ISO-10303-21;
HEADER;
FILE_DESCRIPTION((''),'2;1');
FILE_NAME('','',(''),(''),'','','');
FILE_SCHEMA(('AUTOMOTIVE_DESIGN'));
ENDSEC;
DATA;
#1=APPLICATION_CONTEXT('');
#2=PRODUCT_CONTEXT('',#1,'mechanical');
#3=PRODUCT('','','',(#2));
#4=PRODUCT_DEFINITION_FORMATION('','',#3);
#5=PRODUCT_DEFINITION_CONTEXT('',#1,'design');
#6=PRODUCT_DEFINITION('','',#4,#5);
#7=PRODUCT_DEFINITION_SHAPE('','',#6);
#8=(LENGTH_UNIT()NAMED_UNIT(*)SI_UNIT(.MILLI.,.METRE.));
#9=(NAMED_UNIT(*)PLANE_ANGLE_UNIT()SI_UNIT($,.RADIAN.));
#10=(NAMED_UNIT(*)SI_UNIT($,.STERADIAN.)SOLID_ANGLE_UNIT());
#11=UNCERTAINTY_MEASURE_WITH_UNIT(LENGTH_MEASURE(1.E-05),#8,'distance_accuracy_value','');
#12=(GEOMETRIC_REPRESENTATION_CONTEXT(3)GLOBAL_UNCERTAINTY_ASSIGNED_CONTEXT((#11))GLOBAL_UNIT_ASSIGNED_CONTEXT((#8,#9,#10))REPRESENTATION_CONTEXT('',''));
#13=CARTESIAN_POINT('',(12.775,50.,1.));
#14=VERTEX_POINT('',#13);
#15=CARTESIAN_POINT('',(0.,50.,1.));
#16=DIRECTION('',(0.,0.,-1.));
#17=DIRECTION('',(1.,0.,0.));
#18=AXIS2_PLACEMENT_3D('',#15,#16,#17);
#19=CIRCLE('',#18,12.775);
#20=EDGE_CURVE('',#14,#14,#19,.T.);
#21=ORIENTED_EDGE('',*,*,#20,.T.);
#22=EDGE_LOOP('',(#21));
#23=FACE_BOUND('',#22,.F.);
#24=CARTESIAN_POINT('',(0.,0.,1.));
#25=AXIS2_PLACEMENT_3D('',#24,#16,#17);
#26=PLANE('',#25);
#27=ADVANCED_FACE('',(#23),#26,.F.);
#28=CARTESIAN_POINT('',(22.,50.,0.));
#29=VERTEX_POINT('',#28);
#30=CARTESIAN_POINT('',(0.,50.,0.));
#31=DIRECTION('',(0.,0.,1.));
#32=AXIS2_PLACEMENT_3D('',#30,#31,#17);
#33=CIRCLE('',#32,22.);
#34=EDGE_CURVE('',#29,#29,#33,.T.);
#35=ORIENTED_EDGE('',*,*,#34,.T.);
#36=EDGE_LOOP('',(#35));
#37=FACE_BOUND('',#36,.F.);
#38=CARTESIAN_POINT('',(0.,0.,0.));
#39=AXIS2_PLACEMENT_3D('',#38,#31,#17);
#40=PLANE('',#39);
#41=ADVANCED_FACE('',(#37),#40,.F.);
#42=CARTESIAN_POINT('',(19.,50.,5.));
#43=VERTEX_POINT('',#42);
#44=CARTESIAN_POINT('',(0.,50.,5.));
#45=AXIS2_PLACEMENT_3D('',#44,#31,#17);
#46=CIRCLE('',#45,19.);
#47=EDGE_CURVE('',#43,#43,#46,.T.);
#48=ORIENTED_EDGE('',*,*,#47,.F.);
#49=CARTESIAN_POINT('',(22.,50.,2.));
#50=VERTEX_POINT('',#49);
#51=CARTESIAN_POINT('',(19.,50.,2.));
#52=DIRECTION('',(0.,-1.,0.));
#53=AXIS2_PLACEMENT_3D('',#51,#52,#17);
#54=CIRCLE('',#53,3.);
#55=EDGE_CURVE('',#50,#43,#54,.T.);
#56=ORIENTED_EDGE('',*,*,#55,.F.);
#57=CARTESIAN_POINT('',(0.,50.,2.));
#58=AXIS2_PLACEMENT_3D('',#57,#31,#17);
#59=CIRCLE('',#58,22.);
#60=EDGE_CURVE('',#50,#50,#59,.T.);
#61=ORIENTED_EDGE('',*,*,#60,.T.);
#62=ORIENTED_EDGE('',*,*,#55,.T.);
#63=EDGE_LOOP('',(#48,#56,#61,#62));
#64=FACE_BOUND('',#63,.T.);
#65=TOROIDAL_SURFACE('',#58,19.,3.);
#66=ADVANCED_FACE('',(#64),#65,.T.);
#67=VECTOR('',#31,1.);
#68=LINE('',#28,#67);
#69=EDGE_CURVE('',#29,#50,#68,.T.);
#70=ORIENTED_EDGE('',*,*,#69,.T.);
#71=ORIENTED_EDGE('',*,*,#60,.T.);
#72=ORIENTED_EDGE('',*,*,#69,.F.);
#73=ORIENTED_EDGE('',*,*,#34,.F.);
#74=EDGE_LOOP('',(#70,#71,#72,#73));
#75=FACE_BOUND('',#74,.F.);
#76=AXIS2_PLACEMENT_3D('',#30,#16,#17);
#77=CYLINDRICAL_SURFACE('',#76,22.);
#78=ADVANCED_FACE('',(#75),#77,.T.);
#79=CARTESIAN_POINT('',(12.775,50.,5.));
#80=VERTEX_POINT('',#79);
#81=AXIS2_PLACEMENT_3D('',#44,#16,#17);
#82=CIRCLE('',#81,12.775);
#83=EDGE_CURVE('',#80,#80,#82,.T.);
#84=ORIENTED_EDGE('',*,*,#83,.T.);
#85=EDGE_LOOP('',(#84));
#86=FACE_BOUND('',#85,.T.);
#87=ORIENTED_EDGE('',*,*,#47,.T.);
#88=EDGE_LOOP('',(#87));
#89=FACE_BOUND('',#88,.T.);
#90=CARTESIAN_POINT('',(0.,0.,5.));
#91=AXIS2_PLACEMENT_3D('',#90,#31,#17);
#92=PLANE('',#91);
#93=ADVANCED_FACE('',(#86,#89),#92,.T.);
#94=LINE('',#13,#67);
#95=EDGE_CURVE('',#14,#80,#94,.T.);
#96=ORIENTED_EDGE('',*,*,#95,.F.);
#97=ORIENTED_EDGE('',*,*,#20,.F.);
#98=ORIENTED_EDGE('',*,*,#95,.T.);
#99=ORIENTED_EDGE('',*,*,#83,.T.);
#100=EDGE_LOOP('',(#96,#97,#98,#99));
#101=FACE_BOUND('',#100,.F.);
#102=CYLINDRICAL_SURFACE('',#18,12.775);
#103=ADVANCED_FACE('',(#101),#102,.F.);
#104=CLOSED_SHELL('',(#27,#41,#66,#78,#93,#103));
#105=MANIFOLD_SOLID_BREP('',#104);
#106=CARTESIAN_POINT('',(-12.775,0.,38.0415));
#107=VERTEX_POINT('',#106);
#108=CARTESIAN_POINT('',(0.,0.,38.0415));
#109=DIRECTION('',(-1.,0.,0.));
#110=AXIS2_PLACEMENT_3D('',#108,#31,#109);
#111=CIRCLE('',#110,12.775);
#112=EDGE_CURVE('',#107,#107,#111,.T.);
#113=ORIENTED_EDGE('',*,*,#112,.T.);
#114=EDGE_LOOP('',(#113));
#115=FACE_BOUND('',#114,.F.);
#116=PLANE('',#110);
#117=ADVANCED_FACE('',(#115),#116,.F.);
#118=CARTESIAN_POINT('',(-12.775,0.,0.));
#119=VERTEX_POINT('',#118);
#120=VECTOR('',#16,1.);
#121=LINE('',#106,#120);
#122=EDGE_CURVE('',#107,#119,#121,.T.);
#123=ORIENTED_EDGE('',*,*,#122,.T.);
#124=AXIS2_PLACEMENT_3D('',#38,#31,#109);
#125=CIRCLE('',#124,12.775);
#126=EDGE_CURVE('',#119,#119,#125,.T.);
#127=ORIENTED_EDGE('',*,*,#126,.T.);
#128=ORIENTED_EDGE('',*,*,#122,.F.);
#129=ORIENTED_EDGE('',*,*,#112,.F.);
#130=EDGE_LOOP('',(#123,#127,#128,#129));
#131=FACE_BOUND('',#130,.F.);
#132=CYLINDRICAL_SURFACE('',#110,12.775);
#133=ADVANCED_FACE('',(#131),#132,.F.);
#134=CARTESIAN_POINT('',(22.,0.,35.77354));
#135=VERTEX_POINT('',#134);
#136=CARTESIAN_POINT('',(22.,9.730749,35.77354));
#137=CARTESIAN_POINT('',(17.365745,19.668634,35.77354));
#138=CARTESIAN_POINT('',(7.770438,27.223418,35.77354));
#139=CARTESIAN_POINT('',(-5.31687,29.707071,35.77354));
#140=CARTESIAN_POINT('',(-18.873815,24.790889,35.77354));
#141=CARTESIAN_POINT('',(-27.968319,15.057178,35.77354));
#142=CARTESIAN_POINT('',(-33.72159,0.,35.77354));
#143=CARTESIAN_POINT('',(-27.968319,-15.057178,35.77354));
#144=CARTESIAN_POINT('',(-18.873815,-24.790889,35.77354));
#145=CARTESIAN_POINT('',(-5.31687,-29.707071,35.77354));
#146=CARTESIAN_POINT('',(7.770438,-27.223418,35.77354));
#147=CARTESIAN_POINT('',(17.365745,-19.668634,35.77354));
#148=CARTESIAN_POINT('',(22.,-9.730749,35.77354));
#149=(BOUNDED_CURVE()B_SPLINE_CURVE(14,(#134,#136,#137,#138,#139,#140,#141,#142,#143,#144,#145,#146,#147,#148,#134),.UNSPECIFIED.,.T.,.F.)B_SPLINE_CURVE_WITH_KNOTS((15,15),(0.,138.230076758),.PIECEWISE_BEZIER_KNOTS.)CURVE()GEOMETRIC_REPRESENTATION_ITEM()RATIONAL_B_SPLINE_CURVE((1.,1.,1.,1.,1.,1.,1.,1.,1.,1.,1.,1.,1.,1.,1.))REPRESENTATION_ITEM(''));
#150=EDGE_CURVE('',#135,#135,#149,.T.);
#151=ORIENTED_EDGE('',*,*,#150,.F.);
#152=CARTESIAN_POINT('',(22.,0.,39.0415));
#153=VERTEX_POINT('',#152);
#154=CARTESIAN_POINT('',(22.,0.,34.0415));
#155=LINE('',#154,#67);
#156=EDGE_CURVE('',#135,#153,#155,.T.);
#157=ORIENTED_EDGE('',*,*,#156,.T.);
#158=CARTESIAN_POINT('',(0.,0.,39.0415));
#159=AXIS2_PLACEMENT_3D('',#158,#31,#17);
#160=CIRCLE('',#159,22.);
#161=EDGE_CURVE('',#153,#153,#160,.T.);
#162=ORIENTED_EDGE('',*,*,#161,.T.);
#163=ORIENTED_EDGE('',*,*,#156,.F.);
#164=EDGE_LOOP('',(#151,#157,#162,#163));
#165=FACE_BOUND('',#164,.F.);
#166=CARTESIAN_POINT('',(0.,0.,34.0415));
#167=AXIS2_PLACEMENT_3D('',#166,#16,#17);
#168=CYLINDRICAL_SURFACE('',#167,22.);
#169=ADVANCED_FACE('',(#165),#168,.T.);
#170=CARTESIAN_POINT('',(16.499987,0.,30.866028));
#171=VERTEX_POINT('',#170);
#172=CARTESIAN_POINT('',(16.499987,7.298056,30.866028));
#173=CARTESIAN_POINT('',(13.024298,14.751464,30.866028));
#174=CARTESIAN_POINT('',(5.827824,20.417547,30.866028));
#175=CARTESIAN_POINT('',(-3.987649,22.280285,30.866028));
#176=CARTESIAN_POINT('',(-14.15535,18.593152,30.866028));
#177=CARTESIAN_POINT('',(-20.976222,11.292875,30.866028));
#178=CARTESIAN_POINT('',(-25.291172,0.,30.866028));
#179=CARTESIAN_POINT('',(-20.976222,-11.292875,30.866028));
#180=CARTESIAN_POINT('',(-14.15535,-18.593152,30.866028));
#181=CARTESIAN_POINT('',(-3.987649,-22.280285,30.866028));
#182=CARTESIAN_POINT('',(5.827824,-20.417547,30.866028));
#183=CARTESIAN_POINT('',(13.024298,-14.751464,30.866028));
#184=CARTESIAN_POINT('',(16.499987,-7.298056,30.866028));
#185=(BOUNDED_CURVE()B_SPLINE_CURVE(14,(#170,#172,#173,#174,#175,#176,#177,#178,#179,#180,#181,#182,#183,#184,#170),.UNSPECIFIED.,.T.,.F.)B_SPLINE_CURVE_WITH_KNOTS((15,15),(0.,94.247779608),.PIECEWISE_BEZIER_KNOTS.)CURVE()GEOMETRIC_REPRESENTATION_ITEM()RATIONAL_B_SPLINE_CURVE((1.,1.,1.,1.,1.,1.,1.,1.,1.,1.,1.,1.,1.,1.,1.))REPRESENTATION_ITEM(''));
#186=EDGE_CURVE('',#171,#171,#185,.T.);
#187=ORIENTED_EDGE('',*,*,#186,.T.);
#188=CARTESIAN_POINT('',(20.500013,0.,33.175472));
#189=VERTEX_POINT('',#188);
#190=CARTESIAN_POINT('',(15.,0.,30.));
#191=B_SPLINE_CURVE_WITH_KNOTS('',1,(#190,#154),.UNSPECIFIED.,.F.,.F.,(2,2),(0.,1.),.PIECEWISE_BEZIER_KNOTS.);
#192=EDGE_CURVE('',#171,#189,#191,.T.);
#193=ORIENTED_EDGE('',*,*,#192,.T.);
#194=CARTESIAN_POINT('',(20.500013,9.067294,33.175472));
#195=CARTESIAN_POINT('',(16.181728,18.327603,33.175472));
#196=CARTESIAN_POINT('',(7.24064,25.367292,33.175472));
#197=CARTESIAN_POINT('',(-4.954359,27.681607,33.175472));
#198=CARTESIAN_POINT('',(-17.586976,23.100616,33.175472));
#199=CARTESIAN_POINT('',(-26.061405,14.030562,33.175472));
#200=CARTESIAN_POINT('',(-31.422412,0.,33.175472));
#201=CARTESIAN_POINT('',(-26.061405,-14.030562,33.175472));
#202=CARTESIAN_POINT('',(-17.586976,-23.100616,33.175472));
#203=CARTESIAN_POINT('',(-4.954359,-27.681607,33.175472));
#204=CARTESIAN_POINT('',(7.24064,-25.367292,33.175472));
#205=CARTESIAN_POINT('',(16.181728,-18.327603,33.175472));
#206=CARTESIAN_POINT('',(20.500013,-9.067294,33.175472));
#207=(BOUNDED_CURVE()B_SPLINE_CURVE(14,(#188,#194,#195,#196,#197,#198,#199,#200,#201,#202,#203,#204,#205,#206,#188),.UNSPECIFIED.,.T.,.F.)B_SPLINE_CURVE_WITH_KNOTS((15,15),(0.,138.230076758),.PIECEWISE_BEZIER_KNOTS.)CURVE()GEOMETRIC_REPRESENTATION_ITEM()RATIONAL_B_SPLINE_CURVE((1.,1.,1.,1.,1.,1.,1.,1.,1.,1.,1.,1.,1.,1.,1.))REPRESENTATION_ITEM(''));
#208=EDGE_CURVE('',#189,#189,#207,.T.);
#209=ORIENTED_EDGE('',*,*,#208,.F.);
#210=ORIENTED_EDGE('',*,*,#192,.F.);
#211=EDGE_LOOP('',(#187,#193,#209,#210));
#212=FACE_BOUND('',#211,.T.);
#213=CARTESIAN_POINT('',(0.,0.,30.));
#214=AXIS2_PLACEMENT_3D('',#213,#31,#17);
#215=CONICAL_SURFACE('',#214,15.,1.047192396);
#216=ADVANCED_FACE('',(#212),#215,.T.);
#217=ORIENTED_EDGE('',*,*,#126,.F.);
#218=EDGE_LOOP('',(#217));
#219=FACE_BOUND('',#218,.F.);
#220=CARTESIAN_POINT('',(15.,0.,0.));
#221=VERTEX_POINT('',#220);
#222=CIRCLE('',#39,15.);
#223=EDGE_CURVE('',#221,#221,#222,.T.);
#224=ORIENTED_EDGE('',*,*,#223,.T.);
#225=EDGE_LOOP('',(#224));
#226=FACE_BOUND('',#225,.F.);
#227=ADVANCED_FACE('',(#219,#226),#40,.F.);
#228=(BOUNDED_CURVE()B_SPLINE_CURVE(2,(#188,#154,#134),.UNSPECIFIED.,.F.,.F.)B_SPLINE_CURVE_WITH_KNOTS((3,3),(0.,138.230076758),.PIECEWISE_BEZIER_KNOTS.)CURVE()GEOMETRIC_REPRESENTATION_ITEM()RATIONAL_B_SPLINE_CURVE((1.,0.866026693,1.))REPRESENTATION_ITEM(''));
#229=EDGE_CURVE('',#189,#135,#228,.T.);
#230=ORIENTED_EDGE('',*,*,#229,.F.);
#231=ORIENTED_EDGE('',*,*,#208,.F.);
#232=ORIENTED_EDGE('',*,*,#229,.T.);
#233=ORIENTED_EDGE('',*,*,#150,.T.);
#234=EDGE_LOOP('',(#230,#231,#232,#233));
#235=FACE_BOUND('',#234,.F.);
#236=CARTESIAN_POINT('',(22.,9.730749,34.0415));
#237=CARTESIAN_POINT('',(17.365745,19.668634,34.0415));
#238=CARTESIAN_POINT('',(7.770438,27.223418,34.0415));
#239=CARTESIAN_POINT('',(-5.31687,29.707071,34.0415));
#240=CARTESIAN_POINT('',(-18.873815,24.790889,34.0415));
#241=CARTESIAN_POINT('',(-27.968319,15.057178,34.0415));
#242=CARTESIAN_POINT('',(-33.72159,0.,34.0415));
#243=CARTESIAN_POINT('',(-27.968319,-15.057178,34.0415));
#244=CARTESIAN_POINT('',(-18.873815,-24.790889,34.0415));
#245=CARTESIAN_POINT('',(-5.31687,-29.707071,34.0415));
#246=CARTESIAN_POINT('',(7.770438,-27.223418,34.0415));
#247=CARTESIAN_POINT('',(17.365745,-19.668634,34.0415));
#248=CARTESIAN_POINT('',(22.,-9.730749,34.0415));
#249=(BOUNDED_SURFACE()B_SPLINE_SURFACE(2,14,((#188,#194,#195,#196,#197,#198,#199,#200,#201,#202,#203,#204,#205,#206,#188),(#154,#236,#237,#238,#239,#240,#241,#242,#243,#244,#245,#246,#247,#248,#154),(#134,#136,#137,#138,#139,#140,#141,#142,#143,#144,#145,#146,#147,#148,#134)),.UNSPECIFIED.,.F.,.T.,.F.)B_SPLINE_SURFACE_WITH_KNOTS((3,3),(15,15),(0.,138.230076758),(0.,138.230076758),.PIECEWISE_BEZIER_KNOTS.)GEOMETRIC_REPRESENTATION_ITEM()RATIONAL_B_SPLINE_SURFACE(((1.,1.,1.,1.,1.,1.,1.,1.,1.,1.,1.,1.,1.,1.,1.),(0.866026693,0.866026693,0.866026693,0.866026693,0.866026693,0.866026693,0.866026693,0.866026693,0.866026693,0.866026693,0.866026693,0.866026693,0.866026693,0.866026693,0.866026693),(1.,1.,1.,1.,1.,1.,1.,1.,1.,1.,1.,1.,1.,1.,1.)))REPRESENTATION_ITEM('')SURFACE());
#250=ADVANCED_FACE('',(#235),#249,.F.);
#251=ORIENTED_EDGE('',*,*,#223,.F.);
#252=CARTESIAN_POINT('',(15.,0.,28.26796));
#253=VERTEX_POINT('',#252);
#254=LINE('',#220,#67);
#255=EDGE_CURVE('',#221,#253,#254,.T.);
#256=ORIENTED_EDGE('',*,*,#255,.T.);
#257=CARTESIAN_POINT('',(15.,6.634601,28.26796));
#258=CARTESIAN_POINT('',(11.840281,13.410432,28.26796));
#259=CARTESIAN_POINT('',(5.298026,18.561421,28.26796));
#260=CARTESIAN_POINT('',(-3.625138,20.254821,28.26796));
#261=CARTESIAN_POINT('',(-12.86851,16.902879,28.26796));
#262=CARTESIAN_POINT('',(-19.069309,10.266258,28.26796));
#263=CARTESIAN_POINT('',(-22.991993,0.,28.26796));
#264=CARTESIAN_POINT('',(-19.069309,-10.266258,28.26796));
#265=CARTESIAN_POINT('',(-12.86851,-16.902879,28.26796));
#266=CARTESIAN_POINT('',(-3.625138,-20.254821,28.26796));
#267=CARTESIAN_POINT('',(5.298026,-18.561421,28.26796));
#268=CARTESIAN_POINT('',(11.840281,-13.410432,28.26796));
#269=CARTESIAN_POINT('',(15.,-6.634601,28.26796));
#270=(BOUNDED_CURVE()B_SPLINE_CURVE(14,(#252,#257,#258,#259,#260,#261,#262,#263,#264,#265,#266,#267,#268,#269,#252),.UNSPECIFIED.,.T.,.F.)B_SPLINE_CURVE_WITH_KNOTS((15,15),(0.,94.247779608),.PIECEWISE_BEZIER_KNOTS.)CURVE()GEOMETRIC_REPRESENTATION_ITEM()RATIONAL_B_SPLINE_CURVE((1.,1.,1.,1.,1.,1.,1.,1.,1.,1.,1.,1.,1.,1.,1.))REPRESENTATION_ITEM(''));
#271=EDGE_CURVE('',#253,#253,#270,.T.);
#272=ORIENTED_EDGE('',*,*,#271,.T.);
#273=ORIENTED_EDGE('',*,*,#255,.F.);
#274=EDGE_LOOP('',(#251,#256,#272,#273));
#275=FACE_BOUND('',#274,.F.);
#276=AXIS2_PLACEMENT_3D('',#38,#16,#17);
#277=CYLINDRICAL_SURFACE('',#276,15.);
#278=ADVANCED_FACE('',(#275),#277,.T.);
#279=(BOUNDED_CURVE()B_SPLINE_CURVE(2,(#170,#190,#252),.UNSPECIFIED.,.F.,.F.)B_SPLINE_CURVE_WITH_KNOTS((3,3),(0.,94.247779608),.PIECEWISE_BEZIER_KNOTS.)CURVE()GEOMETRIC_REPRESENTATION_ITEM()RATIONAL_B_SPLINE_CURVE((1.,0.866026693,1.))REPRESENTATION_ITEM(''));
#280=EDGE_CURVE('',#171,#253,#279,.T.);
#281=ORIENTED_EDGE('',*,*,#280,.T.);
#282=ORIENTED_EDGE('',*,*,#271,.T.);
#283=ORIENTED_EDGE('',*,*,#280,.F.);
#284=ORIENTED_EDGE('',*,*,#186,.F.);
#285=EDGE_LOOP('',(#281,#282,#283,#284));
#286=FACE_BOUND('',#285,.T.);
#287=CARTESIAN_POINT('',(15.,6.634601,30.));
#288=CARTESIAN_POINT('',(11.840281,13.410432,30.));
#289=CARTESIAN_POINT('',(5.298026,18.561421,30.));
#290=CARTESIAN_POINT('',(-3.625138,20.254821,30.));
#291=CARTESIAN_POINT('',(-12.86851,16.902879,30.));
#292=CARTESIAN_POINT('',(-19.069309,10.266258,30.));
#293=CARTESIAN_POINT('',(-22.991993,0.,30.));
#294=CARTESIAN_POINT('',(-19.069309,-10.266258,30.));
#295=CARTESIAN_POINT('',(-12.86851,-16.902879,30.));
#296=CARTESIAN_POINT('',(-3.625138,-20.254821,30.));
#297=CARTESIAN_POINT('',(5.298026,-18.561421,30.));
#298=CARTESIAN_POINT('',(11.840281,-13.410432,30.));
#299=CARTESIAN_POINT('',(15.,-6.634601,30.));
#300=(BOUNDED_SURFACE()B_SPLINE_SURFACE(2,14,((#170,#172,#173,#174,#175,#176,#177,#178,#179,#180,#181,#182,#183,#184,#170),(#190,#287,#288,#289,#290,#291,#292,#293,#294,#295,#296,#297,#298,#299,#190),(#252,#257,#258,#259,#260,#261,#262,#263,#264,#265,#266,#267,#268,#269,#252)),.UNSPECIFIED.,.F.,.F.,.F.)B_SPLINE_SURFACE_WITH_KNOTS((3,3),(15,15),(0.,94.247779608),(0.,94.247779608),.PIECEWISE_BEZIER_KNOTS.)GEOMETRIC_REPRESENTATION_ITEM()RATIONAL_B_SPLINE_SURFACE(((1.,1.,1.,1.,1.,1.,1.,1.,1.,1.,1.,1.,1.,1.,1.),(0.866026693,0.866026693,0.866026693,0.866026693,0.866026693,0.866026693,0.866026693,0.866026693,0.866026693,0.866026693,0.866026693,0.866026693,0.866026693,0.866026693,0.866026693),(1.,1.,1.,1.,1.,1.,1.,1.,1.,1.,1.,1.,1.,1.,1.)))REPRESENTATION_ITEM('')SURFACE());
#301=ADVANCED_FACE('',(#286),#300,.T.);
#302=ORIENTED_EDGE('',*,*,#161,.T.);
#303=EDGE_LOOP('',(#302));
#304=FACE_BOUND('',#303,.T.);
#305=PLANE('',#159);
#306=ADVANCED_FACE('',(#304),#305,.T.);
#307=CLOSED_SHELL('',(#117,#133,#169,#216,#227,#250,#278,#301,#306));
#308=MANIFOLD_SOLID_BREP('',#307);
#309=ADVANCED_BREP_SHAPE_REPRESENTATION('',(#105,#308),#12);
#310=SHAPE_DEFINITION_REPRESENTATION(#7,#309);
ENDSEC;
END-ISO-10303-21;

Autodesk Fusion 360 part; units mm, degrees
sketch "Sketch1" plane through (0, 0, 0) normal (0, 0, 1) x (1, 0, 0)
  circle A0 centre (0, 0) radius 15
  dimension "d10" = 30
extrude "Extrude1" add sketch "Sketch1" along normal blind 30 makes body 1
ref_plane "WorkPlane1" through (0, 0, 34.0415) normal (0, 0, 1) x (1, 0, 0)
sketch "Sketch2" plane through (0, 0, 34.0415) normal (0, 0, 1) x (1, 0, 0)
  circle A0 centre (0, 0) radius 22
  dimension "d16" = 44
extrude "Extrude2" add sketch "Sketch2" along normal blind 5 separate body makes body 2
loft "Loft1" add section 1 face at (3.6653, 3.4009, 30) section 2 face at (5.8152, -3.0625, 34.0415) on bodies 1 2 bodies 1 2
sketch "Sketch3" plane through (0, 0, 39.0415) normal (0, 0, 1) x (-1, 0, 0)
  circle A0 centre (0, 0) radius 22
  circle A1 centre (0, 0) radius 12.775
  dimension "d19" = 25.55
extrude "Extrude3" cut sketch "Sketch3" against normal up to surface (38.0415 mm away) from surface at -1 contours A1 bodies 1
sketch "Sketch5" plane through (0, 0, 0) normal (0, 0, 1) x (1, 0, 0)
  circle A0 centre (0, 50) radius 22
  dimension "d26" = 44
extrude "Extrude5" add sketch "Sketch5" along normal blind 5 separate body makes body 3
sketch "Sketch7" plane through (0, 0, 0) normal (0, 0, -1) x (1, 0, 0)
  circle A0 centre (0, -50) radius 22
  circle A1 centre (0, -50) radius 12.775
  dimension "d39" = 25.55
extrude "Extrude7" cut sketch "Sketch7" against normal blind 5 from surface at -1 contours A1 bodies 3
fillet "Fillet1" radius 3 1 edges at (-20.5112, -7.9555, 34.0415) on bodies 1
fillet "Fillet2" radius 3 1 edges at (-13.9849, -5.4242, 30) on bodies 1
fillet "Fillet3" radius 3 1 edges at (-20.5112, 42.0445, 5) on bodies 3
equation "DiameterBase = 30 mm"
equation "DiameterCoin = 44 mm"
equation "DiameterMagnet = 25.55 mm"
equation "HeightMagnet = 3.2 mm"
equation "HeightBase = 30 mm"
equation "HeightJigPlate = 5 mm"
equation "d10 = DiameterBase"
equation "d11 = HeightBase"
equation "AngleLoft = 30 deg"
equation "HeightOffset = abs(DiameterBase - DiameterCoin) / 2 * tan(AngleLoft)"
equation "d15 = HeightOffset"
equation "d16 = DiameterCoin"
equation "d17 = HeightJigPlate"
equation "d19 = DiameterMagnet"
equation "d26 = DiameterCoin"
equation "d27 = HeightJigPlate"
equation "FilletSize = 3 mm"
equation "d34 = FilletSize"
equation "d36 = FilletSize"
equation "d38 = FilletSize"
equation "d39 = DiameterMagnet"
equation "d41 = -HeightJigPlate"
